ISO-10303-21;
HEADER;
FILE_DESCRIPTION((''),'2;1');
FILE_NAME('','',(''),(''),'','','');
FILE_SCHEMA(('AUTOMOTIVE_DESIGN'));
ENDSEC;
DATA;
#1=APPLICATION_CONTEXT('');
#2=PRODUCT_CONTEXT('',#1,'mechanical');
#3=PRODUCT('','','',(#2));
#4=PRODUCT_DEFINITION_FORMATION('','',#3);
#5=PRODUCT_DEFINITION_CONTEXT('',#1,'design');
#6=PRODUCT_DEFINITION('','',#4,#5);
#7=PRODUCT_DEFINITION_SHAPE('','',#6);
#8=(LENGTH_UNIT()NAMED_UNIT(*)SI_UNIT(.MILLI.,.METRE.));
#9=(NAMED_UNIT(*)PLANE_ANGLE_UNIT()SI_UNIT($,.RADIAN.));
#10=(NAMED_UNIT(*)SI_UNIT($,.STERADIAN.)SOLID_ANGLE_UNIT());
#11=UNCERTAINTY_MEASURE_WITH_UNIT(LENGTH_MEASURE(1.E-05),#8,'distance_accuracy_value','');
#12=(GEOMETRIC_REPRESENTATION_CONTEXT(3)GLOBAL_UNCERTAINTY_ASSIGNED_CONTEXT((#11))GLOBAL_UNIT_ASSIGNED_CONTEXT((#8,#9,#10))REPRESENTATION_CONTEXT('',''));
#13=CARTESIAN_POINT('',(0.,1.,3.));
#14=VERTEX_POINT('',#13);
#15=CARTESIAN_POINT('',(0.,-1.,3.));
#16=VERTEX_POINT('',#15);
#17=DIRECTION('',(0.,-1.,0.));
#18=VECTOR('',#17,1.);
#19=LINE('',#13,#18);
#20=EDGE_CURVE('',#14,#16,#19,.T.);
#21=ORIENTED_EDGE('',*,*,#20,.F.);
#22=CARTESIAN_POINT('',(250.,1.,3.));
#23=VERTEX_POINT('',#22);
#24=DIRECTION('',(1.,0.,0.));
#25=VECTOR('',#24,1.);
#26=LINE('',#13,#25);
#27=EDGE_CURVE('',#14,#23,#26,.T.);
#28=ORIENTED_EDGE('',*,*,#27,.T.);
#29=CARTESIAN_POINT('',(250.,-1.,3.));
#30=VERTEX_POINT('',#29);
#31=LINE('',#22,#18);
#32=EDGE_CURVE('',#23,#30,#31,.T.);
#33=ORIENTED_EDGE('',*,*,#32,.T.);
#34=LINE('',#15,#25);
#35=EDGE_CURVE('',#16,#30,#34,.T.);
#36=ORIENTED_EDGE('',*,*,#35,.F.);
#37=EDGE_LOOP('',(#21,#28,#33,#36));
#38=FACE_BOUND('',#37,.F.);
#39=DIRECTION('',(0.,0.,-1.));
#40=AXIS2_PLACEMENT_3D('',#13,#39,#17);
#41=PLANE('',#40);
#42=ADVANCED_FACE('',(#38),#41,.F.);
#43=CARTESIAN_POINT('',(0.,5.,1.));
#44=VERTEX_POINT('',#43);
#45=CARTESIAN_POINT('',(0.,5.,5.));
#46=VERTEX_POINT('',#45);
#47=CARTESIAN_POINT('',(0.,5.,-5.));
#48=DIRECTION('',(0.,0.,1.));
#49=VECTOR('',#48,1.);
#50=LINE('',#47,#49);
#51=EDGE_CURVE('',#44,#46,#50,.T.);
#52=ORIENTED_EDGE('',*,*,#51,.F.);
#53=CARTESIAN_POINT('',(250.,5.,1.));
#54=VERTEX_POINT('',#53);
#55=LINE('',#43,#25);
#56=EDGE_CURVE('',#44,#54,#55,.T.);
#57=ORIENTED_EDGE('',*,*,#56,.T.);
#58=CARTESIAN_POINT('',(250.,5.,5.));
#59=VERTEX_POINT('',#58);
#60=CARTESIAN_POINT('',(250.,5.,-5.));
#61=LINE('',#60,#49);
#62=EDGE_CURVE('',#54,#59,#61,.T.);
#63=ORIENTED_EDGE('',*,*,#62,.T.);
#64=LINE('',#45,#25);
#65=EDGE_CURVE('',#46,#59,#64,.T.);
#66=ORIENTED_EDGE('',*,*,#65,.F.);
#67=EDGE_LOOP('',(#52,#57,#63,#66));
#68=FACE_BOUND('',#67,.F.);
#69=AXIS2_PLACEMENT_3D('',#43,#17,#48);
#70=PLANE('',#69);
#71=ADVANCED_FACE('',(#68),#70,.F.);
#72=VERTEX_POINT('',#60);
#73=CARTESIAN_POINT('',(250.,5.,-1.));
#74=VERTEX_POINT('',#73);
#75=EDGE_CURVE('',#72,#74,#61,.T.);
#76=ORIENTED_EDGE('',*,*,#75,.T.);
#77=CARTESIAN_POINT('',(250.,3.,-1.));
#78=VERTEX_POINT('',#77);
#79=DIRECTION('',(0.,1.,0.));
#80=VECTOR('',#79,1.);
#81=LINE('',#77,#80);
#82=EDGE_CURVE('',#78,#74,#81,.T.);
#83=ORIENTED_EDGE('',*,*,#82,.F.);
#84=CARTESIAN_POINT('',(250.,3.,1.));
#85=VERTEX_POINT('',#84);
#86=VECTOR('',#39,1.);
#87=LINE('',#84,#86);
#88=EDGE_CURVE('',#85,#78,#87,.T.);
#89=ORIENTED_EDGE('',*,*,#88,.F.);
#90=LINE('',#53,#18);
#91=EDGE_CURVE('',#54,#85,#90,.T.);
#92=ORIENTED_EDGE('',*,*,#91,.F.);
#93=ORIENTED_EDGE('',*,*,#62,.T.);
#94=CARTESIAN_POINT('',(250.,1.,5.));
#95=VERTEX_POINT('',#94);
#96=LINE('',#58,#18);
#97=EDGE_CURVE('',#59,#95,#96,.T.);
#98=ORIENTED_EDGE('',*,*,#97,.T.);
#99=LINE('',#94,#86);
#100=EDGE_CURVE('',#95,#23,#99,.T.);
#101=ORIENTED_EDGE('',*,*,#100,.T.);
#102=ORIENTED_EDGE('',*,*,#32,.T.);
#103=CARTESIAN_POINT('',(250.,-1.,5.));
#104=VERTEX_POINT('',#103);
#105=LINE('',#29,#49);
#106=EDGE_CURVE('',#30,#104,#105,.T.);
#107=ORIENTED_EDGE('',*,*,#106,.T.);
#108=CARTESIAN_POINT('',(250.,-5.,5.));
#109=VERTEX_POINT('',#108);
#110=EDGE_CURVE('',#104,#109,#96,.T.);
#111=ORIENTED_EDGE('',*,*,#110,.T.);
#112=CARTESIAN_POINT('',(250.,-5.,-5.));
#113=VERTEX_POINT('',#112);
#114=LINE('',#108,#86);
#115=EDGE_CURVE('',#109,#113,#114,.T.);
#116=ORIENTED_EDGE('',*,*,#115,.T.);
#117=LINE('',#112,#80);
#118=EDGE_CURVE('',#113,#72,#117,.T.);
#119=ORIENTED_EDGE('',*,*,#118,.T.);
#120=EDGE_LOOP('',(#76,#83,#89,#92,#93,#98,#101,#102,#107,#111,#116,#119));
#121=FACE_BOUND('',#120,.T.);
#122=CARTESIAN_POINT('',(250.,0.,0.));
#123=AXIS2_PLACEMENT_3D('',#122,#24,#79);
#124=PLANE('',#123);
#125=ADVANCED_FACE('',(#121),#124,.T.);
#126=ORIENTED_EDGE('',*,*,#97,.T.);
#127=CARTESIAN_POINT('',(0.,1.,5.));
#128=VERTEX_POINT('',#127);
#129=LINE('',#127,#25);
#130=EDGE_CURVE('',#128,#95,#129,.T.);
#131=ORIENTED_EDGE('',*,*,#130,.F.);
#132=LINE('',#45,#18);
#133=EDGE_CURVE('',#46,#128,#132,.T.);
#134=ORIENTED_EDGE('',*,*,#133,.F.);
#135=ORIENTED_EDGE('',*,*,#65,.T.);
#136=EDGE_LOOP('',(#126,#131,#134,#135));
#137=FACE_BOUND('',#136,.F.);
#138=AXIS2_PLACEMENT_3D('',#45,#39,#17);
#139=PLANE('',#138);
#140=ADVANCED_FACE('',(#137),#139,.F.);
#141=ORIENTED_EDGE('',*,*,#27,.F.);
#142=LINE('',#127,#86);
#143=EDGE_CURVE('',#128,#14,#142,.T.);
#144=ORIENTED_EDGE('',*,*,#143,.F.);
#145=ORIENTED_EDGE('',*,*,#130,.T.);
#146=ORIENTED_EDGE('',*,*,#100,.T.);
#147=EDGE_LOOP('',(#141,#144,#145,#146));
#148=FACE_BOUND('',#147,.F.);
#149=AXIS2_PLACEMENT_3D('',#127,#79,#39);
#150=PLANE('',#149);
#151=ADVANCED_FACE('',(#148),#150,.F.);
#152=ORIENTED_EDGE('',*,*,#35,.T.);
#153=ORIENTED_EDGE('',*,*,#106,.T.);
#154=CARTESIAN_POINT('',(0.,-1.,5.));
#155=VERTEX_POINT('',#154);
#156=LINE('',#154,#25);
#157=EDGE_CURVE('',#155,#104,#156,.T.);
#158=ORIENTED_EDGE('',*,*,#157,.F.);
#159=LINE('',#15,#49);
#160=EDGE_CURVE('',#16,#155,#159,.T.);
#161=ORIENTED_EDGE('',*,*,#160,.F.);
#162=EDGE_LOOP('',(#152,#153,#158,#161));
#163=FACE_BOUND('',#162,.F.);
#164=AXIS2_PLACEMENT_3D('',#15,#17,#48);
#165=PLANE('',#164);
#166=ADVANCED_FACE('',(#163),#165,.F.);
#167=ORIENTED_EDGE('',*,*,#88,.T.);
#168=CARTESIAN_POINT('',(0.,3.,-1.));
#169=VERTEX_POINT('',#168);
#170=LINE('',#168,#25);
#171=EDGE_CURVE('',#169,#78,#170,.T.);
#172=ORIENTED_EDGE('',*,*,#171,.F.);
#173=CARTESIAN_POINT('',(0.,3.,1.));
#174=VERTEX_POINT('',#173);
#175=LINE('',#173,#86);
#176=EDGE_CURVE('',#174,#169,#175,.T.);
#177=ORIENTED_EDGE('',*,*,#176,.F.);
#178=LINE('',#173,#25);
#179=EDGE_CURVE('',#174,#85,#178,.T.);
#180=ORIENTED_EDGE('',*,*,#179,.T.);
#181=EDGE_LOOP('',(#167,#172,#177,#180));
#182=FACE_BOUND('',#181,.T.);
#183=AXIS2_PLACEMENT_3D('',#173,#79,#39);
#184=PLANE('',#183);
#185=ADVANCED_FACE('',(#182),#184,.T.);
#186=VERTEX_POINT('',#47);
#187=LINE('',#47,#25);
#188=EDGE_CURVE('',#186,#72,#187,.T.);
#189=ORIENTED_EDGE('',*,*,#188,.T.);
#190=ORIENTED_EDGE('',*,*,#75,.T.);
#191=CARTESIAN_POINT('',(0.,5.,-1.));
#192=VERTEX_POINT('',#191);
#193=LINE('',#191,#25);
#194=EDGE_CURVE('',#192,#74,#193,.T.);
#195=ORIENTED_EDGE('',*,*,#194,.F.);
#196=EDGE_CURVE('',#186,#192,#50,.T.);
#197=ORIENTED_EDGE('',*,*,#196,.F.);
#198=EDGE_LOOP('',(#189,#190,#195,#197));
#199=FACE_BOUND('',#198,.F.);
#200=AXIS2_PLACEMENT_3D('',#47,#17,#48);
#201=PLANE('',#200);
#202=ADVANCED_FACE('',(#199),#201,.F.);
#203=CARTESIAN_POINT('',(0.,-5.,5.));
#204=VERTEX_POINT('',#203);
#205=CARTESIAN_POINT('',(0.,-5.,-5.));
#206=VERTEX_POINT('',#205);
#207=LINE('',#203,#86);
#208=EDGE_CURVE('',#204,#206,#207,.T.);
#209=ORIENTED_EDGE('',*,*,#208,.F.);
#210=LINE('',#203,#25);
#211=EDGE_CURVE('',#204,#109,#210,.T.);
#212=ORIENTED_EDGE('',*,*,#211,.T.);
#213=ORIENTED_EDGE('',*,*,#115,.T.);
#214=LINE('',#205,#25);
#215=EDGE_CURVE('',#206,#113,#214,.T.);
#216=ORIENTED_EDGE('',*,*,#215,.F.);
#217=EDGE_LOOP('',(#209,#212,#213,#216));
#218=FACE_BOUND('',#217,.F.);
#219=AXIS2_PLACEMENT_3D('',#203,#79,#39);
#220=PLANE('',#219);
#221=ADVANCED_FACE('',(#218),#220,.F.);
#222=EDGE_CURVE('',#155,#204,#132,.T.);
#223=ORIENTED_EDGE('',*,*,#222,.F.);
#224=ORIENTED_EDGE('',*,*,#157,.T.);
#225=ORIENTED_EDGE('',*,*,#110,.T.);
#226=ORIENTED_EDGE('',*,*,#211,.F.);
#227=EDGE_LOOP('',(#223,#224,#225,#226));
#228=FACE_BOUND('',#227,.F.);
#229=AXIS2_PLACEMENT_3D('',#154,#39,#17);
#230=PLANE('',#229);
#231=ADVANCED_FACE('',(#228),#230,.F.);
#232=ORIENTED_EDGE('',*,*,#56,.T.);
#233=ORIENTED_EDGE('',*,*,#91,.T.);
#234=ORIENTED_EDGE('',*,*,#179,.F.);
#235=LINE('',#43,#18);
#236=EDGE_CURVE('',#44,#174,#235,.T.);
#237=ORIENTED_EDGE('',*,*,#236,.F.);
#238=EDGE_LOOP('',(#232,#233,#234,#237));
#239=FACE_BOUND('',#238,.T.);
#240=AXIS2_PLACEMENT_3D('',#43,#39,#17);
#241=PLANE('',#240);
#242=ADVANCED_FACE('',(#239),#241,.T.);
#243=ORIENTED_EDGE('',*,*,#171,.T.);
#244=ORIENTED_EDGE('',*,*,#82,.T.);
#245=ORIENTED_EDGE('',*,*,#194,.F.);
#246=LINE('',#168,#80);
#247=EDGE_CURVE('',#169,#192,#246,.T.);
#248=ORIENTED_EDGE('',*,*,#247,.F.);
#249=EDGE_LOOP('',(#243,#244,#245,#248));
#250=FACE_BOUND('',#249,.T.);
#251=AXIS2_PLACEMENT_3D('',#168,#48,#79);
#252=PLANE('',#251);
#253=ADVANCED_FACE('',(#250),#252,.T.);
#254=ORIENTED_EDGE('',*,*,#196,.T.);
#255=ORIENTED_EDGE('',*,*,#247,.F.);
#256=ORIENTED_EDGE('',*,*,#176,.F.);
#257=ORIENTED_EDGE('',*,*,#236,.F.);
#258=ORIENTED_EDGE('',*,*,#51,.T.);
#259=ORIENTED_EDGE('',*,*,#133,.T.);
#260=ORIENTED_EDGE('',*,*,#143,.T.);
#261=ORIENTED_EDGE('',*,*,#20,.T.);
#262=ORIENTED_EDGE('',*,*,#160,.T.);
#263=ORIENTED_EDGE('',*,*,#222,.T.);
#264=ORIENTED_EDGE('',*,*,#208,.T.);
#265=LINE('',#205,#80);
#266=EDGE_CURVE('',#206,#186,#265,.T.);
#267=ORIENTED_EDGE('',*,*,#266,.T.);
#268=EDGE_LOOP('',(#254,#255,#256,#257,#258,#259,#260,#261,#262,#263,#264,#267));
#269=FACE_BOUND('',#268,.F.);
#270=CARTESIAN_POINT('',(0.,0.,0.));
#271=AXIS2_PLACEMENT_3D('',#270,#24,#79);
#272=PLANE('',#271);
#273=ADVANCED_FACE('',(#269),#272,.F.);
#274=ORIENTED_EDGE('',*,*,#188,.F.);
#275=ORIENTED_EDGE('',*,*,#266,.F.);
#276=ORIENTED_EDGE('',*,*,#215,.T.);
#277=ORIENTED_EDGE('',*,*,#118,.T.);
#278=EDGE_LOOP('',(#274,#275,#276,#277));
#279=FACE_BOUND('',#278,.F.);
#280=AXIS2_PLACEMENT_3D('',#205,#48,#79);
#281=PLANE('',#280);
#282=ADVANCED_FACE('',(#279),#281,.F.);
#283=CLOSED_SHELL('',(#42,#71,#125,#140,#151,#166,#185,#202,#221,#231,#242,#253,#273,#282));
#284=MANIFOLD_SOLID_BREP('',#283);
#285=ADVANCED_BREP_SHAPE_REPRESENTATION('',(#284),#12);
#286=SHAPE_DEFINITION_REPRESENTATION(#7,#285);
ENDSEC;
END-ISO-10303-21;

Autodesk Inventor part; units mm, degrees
ref_plane "YZ Plane" through (0, 0, 0) normal (1, 0, 0) x (0, 1, 0)
ref_plane "XZ Plane" through (0, 0, 0) normal (0, 1, 0) x (-1, 0, 0)
ref_plane "XY Plane" through (0, 0, 0) normal (0, 0, 1) x (1, 0, 0)
sketch "スケッチ1" plane through (0, 0, 0) normal (1, 0, 0) x (0, 1, 0)
  line L0 (-5, -5) -> (5, -5)
  line L1 (5, -5) -> (5, 5)
  line L2 (5, 5) -> (-5, 5)
  line L3 (-5, 5) -> (-5, -5)
  line L4 (-1, 5) -> (1, 5)
  line L5 (1, 5) -> (1, 3)
  line L6 (1, 3) -> (-1, 3)
  line L7 (-1, 3) -> (-1, 5)
  line L8 (3, -1) -> (5, -1)
  line L9 (5, -1) -> (5, 1)
  line L10 (5, 1) -> (3, 1)
  line L11 (3, 1) -> (3, -1)
  point P0 (0, 0)
  dimension "d0" = 5
  dimension "d1" = 5
  dimension "d2" = 5
  dimension "d3" = 5
  dimension "d4" = 2
  dimension "d5" = 1
  dimension "d6" = 2
  dimension "d7" = 1
  dimension "d8" = 2
  dimension "d9" = 2
extrude "押し出し1" add sketch "スケッチ1" along normal blind 250 contours L3 L2 L7 L6 L5 L1 L10 L11 L8 L0
properties part number "banper" material "PET プラスチック"
